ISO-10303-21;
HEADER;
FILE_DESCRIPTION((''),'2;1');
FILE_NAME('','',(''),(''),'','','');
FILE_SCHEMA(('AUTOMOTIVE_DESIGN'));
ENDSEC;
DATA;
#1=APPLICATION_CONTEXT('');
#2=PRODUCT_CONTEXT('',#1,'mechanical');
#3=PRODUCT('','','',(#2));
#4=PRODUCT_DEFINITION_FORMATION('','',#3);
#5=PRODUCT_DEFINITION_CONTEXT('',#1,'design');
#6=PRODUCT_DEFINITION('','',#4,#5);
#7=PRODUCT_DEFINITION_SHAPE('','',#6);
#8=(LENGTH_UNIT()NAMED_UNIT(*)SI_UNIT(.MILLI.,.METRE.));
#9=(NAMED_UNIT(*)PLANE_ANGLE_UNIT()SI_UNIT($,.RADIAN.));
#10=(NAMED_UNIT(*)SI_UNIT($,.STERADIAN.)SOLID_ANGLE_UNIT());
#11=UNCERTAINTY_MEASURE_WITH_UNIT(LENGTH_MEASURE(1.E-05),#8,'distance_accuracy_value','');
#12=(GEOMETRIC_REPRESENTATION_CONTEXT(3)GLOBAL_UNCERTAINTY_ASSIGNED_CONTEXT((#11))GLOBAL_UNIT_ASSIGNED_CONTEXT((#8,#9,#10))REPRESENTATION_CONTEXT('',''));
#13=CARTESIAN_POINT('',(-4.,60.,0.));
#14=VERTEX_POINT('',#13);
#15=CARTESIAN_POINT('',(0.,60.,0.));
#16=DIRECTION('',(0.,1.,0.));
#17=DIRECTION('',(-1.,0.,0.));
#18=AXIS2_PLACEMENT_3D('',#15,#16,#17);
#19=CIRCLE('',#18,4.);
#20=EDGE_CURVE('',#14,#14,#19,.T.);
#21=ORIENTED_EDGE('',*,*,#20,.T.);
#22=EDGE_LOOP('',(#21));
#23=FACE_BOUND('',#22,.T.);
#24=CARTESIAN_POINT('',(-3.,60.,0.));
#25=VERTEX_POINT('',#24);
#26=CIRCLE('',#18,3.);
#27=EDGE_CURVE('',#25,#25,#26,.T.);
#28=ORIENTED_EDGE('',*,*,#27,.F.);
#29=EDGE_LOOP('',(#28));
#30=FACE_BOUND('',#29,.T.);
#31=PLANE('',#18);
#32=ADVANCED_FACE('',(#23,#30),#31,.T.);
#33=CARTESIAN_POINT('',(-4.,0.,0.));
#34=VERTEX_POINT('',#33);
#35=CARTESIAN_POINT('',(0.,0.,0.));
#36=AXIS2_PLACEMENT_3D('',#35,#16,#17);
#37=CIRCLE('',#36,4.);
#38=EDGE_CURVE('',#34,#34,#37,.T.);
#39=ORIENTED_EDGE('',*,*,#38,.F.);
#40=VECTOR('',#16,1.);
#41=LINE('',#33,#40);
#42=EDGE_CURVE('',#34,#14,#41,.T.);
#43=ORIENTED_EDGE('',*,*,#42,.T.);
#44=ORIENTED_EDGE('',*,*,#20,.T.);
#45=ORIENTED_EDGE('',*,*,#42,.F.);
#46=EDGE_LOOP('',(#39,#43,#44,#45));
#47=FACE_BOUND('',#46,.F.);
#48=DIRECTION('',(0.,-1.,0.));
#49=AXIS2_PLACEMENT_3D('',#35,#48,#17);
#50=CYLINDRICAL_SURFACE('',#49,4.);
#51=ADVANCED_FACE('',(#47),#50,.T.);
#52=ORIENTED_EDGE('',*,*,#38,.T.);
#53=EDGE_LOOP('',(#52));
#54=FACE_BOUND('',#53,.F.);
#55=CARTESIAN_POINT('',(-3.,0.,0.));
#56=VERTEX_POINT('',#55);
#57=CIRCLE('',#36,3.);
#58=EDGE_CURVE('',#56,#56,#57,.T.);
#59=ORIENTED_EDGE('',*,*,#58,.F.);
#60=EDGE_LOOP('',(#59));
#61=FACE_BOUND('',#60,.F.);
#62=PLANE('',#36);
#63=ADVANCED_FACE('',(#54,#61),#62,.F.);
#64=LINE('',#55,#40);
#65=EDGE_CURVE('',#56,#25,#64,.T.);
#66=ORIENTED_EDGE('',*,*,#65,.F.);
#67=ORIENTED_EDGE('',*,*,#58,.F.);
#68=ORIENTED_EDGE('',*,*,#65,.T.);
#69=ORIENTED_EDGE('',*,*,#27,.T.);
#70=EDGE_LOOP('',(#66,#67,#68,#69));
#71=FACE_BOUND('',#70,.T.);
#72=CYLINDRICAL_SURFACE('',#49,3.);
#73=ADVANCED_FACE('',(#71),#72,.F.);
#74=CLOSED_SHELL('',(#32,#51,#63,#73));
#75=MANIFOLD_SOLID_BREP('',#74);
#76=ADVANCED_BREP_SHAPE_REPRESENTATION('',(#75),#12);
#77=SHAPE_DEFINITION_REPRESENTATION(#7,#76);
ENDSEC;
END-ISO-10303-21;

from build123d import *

# Parameters (mm, degrees)
SKETCH3_BP_R     = 4
SKETCH3_BP_R_2   = 3
EXTRUSION2_DEPTH = 60


with BuildPart() as part:
    # Sketch3_bp → Extrusion2 (new body)
    with BuildSketch(Plane(origin=(0, 0, 0), x_dir=(-1, 0, 0), z_dir=(0, 1, 0))):
        Circle(SKETCH3_BP_R)
        Circle(SKETCH3_BP_R_2, mode=Mode.SUBTRACT)
    extrude(amount=EXTRUSION2_DEPTH)


solid = part.part
